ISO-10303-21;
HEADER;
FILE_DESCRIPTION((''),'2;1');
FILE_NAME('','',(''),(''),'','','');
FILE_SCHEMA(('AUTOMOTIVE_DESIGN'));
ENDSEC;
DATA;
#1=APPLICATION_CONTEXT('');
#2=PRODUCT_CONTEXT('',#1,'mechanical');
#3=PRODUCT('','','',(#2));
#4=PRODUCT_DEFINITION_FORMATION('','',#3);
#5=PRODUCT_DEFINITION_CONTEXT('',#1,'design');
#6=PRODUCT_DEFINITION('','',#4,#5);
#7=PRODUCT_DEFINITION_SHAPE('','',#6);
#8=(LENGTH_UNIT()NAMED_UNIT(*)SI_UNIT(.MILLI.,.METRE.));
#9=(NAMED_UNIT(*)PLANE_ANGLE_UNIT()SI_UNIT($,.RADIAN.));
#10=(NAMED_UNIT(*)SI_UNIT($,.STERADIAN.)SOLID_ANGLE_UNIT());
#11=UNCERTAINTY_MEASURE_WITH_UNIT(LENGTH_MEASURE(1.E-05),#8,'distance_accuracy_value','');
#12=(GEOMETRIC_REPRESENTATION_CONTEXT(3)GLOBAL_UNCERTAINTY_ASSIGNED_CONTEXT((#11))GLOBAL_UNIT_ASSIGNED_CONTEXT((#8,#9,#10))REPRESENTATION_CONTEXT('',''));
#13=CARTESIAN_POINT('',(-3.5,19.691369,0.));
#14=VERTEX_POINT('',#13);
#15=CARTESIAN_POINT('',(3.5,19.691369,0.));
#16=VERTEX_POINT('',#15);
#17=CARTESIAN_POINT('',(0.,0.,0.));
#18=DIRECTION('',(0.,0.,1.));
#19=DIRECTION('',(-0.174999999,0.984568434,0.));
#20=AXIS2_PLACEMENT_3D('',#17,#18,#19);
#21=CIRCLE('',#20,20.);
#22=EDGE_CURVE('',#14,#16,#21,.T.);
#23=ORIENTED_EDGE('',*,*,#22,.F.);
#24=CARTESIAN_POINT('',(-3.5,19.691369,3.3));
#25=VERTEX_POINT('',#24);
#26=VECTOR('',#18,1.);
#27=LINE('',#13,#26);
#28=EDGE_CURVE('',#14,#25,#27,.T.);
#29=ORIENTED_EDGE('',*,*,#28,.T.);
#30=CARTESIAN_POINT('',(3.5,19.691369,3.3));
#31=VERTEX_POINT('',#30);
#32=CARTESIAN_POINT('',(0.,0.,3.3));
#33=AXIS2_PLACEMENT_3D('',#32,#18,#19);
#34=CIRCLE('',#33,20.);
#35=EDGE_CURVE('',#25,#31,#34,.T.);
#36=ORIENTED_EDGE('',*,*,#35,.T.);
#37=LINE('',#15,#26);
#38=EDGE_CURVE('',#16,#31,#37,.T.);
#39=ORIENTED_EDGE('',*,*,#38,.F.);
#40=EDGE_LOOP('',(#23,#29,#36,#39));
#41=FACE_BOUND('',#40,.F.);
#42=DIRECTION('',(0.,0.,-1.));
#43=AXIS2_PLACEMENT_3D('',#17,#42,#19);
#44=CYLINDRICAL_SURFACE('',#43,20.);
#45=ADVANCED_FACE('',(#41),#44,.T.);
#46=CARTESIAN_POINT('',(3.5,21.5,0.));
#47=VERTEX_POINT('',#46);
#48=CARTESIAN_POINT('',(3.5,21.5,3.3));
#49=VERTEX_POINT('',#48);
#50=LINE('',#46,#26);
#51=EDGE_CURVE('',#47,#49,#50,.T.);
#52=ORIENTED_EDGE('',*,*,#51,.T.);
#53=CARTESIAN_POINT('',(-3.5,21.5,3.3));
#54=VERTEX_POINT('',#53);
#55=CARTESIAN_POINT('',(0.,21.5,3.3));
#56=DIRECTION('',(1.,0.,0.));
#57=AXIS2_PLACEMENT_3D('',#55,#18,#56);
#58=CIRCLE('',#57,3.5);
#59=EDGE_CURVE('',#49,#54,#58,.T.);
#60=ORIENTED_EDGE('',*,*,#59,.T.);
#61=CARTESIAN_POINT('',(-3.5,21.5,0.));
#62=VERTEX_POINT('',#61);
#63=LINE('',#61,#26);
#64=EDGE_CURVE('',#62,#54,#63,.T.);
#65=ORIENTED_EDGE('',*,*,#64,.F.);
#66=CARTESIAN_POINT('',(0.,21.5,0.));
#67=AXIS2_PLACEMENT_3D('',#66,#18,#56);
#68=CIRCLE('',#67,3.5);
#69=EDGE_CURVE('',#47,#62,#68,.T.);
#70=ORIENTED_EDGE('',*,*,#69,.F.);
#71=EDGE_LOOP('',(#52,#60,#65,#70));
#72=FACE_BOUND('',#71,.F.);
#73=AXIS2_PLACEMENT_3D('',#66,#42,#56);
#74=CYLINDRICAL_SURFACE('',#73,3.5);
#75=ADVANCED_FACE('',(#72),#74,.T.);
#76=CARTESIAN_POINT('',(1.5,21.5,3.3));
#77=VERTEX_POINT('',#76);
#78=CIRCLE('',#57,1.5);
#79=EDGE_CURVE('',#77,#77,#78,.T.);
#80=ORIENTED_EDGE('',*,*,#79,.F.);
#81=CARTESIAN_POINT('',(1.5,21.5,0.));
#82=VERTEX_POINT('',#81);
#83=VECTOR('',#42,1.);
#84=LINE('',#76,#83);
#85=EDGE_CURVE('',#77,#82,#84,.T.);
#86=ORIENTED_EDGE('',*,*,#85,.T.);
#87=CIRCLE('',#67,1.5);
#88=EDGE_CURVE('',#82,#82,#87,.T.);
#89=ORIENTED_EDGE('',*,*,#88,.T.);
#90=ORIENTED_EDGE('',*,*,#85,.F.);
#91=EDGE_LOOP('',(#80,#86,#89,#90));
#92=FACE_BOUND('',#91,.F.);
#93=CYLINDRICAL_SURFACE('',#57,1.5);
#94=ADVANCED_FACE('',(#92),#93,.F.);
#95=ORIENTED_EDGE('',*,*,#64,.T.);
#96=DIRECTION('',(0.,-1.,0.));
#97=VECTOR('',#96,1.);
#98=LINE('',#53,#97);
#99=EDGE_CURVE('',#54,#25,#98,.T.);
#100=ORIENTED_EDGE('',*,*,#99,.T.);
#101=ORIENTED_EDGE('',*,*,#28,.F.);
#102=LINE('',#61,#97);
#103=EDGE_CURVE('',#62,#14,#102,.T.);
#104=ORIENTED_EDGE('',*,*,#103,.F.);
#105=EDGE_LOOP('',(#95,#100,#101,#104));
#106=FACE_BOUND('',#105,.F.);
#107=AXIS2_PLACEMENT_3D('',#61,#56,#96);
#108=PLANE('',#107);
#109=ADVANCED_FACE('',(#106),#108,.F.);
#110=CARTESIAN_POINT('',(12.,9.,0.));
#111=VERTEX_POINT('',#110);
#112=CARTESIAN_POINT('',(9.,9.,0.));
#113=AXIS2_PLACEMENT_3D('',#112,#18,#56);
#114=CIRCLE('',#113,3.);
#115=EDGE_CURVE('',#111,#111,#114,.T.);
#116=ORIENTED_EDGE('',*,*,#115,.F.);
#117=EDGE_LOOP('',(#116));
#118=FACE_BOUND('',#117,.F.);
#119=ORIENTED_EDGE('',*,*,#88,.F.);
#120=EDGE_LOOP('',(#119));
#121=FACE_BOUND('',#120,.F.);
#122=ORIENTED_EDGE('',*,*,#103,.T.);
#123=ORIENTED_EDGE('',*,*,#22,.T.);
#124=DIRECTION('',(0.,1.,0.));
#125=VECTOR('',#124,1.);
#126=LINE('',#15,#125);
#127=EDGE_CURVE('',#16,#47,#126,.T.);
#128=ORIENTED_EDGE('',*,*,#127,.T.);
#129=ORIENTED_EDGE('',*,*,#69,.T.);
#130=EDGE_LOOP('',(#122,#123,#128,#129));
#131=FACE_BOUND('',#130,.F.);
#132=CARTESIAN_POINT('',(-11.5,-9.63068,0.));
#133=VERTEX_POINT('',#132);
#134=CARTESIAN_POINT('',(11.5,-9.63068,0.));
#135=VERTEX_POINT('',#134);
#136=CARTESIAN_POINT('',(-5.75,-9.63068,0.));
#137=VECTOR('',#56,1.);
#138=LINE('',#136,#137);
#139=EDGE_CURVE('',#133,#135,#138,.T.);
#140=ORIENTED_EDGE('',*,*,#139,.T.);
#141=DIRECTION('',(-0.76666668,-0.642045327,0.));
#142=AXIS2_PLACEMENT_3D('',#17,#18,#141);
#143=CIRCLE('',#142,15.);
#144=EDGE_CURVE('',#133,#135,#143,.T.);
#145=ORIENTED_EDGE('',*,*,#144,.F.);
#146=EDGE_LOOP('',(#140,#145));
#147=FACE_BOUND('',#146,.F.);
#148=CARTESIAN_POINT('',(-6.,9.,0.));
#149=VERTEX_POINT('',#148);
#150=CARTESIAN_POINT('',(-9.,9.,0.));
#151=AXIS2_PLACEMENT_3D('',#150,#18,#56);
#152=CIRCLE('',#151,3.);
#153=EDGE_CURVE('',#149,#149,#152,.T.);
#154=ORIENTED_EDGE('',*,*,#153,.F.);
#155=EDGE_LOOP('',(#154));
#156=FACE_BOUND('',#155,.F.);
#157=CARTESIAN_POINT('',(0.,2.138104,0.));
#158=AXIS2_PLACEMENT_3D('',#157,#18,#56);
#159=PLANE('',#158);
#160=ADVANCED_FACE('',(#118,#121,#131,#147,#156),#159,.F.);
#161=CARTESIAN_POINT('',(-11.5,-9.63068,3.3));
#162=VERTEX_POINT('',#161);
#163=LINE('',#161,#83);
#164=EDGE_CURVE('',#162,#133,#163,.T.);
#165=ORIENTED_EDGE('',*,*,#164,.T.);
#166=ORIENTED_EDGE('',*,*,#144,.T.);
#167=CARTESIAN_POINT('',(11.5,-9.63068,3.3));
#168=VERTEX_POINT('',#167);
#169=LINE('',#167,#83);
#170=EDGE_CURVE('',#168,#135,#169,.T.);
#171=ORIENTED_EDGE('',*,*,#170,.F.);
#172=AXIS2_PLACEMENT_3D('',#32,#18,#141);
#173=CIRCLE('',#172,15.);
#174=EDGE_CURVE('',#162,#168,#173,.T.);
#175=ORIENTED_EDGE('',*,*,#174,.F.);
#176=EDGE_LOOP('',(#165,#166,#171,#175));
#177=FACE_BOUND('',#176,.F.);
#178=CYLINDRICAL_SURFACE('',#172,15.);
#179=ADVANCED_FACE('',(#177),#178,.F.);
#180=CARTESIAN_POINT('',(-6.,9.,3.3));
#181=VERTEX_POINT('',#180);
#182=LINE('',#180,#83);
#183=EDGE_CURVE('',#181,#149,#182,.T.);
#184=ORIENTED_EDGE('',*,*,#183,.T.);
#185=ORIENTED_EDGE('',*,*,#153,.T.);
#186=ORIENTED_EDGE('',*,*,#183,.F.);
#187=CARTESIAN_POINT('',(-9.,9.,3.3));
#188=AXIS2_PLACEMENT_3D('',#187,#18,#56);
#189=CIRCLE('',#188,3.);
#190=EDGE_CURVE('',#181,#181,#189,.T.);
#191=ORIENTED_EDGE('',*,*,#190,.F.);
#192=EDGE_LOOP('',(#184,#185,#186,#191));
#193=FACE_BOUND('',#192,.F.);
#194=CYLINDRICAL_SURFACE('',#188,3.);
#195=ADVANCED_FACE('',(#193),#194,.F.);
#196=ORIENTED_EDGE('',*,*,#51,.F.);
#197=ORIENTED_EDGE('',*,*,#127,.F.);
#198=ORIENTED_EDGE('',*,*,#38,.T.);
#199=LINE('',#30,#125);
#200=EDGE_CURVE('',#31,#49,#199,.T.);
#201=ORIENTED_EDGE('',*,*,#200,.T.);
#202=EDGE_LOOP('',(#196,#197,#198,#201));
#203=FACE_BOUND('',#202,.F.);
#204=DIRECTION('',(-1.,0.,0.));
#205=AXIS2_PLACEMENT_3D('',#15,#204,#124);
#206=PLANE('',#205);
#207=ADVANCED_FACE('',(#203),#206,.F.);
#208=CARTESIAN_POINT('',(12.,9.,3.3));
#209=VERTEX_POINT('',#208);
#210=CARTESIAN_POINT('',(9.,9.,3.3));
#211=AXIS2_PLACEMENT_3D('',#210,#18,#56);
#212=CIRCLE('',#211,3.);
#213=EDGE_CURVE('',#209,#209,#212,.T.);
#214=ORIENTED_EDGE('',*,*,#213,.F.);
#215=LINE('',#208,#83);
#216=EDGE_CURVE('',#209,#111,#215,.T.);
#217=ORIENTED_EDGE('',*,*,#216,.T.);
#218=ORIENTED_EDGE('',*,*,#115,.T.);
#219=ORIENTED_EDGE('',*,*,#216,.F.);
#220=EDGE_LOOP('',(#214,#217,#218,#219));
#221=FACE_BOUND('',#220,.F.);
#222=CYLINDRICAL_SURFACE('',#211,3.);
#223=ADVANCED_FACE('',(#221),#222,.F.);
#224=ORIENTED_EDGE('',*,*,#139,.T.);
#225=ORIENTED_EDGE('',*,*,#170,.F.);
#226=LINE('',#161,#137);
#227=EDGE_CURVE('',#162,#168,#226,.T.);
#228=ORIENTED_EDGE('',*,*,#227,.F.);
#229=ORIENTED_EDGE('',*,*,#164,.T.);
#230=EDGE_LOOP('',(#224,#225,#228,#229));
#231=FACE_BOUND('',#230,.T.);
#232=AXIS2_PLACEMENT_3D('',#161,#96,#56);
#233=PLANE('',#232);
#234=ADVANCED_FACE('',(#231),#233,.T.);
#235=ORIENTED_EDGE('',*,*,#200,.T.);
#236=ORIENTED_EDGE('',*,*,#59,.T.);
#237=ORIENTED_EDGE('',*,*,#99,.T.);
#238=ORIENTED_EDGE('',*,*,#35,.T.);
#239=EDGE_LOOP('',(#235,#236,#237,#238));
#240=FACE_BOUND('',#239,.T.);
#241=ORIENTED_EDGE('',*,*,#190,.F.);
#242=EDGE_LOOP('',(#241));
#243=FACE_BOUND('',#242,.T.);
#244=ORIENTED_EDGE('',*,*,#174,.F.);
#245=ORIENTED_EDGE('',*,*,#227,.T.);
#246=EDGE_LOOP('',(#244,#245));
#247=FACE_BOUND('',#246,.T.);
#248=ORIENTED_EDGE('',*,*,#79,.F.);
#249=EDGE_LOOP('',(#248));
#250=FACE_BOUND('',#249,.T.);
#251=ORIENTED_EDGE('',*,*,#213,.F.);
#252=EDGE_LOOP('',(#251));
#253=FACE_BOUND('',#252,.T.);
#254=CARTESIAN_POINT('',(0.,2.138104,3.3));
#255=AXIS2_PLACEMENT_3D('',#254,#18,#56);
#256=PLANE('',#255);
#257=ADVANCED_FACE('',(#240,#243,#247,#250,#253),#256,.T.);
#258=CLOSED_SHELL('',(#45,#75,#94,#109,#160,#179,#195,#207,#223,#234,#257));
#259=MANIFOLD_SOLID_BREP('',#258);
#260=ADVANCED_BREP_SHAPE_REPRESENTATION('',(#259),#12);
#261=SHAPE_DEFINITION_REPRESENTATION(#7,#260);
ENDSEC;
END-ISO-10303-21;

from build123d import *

# Parameters (mm, degrees)
EXTRUDE_DEPTH   = 3.3
SKETCH001_R     = 1.5
POCKET_DEPTH    = 3.301
SKETCH002_R     = 3
POCKET001_DEPTH = 8


with BuildPart() as part:
    # Sketch → Extrude (new body)
    with BuildSketch(Plane.XY):
        with BuildLine():
            ThreePointArc((3.5, 21.5), (0, 25), (-3.5, 21.5))
            Line((-3.5, 21.5), (-3.5, 19.691369))
            ThreePointArc((-3.5, 19.691369), (0, -20), (3.5, 19.691369))
            Line((3.5, 19.691369), (3.5, 21.5))
        make_face()
    extrude(amount=EXTRUDE_DEPTH)

    # Sketch001 (on Face6 of Extrude) → Pocket (cut, through all)
    with BuildSketch(Plane.XY.offset(3.3)):
        with Locations((0, 21.5)):
            Circle(SKETCH001_R)
    extrude(amount=-POCKET_DEPTH, mode=Mode.SUBTRACT)

    # Sketch002 (on Face6 of BaseFeature) → Pocket001 (cut)
    with BuildSketch(Plane.XY.offset(3.3)):
        with Locations((-9, 9)):
            Circle(SKETCH002_R)
        with Locations((9, 9)):
            Circle(SKETCH002_R)
        with BuildLine():
            ThreePointArc((-11.5, -9.63068), (0, -15), (11.5, -9.63068))
            Line((-11.5, -9.63068), (11.5, -9.63068))
        make_face()
    extrude(amount=-POCKET001_DEPTH, mode=Mode.SUBTRACT)


solid = part.part
